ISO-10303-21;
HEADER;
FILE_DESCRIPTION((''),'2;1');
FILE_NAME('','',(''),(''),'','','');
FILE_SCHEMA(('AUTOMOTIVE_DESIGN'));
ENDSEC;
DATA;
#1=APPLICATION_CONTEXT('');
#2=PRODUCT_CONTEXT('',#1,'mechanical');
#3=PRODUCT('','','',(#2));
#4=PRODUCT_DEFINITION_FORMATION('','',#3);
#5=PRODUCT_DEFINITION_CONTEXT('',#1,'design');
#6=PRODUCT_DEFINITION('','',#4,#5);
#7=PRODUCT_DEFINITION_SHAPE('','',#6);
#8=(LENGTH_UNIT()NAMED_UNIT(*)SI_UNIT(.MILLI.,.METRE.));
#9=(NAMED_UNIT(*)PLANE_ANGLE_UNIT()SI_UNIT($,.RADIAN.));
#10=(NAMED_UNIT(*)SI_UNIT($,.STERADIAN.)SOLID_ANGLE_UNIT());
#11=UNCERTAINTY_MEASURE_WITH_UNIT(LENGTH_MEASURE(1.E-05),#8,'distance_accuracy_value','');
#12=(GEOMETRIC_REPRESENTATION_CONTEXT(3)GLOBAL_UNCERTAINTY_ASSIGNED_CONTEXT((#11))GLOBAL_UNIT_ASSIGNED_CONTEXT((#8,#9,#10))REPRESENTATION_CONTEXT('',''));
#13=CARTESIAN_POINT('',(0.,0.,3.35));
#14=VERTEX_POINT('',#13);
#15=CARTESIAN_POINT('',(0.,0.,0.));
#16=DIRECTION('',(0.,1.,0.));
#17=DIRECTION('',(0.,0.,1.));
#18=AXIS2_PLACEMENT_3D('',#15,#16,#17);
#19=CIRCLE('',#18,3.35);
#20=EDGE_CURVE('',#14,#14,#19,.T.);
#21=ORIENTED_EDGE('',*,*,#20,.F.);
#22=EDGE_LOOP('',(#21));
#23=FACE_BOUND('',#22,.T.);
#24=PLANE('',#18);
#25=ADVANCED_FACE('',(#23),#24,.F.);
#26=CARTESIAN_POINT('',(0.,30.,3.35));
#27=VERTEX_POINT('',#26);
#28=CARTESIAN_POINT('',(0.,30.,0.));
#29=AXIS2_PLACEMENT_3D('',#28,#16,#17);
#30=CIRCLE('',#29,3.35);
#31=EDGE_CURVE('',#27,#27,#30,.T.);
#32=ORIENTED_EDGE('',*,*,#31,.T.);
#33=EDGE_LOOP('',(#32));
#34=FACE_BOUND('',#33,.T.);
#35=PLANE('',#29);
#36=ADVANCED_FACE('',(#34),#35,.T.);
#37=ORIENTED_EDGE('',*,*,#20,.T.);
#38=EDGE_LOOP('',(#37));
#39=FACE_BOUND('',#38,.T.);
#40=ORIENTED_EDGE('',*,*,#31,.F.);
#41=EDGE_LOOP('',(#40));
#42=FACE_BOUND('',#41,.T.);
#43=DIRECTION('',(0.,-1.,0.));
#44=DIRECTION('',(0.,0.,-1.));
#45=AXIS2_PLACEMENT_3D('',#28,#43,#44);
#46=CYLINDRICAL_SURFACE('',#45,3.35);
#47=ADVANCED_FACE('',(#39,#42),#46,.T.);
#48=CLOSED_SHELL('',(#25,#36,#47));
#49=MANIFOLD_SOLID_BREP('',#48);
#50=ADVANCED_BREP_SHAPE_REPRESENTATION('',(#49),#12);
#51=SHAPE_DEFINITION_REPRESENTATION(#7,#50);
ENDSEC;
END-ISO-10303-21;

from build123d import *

# Parameters (mm, degrees)
SKETCH1_R           = 3.35
BOSS_EXTRUDE1_DEPTH = 30


with BuildPart() as part:
    # Sketch1 → Boss-Extrude1 (new body)
    with BuildSketch(Plane(origin=(0, 0, 0), x_dir=(1, 0, 0), z_dir=(0, 1, 0))):
        with Locations(Location((0, 0, 0), (0, 0, 270))):
            Circle(SKETCH1_R)
    extrude(amount=BOSS_EXTRUDE1_DEPTH)


solid = part.part
